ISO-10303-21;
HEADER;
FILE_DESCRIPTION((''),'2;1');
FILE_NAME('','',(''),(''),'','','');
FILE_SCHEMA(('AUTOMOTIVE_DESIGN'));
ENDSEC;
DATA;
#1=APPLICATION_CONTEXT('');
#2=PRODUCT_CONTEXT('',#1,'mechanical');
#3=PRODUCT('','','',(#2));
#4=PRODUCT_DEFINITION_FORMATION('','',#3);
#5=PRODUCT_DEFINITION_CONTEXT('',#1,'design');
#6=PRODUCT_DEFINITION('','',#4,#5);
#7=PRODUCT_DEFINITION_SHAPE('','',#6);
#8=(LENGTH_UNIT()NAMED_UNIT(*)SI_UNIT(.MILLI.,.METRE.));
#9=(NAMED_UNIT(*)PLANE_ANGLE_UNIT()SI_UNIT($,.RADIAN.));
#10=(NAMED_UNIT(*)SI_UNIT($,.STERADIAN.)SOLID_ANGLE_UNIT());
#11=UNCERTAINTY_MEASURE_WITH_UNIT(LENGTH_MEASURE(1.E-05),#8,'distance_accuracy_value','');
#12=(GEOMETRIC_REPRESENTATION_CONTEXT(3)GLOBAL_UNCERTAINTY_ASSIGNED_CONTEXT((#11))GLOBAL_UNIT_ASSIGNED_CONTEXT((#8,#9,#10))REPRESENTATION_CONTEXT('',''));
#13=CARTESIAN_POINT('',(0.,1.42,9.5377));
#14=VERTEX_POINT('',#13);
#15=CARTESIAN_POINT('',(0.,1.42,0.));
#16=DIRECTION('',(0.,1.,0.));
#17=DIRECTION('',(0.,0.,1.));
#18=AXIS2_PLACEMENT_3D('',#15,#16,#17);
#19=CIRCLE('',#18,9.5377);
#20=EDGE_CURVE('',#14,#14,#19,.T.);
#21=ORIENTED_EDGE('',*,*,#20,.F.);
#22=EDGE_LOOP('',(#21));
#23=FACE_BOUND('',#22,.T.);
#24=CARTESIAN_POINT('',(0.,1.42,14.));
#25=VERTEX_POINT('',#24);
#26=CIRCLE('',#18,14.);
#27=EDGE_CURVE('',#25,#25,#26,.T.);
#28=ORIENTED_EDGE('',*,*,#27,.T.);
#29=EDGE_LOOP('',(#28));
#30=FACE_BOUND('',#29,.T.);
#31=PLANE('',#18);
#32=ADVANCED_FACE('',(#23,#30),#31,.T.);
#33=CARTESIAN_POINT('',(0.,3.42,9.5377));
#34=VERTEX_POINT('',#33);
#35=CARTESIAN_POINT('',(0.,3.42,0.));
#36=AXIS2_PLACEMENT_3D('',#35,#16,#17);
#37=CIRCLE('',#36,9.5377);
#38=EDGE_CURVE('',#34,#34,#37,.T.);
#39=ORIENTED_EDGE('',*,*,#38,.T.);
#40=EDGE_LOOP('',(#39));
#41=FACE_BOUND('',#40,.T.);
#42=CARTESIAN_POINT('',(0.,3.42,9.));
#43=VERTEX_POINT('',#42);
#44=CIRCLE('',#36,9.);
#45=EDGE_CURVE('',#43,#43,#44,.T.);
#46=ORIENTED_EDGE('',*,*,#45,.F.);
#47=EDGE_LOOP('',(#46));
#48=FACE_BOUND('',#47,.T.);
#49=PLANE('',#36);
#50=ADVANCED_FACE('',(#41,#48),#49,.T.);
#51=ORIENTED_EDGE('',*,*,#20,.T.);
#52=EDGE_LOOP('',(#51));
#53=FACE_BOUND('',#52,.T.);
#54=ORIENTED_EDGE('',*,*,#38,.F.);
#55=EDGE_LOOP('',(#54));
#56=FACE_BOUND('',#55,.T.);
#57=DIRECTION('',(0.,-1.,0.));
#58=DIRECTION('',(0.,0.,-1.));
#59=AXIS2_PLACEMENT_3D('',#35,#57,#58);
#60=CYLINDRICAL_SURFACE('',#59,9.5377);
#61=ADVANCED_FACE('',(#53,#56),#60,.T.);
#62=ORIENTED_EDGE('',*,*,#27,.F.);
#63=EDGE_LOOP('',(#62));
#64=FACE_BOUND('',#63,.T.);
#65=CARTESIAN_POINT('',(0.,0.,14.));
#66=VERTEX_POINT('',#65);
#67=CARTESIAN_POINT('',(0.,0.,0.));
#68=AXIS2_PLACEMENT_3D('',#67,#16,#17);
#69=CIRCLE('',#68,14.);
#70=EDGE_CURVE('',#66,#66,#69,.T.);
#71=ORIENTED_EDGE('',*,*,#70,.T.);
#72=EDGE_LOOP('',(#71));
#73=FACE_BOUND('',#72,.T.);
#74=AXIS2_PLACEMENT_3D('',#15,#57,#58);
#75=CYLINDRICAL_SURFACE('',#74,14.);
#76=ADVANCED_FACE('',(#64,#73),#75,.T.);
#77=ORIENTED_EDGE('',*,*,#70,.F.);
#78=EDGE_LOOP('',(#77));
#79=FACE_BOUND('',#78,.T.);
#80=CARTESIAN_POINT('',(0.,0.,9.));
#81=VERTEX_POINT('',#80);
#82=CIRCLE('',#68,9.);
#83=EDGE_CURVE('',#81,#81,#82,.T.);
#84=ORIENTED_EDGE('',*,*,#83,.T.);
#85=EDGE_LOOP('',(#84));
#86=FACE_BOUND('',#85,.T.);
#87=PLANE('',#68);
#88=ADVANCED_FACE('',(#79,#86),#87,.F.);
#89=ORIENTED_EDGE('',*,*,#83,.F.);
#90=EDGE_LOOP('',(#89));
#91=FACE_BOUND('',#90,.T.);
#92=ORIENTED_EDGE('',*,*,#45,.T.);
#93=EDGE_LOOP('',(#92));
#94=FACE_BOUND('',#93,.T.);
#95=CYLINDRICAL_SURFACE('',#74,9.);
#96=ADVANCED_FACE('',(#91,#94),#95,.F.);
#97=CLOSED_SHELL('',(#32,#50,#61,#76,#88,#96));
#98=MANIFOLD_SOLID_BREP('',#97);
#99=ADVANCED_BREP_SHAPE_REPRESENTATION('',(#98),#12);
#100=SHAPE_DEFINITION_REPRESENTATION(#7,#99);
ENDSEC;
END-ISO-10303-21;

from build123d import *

# Parameters (mm, degrees)
SKETCH1_R           = 14
SKETCH1_R_2         = 9
BOSS_EXTRUDE1_DEPTH = 1.42
SKETCH2_R           = 9.5377
SKETCH2_R_2         = 9
BOSS_EXTRUDE2_DEPTH = 2


with BuildPart() as part:
    # Sketch1 → Boss-Extrude1 (new body)
    with BuildSketch(Plane(origin=(0, 0, 0), x_dir=(1, 0, 0), z_dir=(0, 1, 0))):
        Circle(SKETCH1_R)
        Circle(SKETCH1_R_2, mode=Mode.SUBTRACT)
    extrude(amount=BOSS_EXTRUDE1_DEPTH)

    # Sketch2 → Boss-Extrude2 (add)
    with BuildSketch(Plane(origin=(0, 1.42, 0), x_dir=(1, 0, 0), z_dir=(0, 1, 0))):
        Circle(SKETCH2_R)
        Circle(SKETCH2_R_2, mode=Mode.SUBTRACT)
    extrude(amount=BOSS_EXTRUDE2_DEPTH)


solid = part.part
